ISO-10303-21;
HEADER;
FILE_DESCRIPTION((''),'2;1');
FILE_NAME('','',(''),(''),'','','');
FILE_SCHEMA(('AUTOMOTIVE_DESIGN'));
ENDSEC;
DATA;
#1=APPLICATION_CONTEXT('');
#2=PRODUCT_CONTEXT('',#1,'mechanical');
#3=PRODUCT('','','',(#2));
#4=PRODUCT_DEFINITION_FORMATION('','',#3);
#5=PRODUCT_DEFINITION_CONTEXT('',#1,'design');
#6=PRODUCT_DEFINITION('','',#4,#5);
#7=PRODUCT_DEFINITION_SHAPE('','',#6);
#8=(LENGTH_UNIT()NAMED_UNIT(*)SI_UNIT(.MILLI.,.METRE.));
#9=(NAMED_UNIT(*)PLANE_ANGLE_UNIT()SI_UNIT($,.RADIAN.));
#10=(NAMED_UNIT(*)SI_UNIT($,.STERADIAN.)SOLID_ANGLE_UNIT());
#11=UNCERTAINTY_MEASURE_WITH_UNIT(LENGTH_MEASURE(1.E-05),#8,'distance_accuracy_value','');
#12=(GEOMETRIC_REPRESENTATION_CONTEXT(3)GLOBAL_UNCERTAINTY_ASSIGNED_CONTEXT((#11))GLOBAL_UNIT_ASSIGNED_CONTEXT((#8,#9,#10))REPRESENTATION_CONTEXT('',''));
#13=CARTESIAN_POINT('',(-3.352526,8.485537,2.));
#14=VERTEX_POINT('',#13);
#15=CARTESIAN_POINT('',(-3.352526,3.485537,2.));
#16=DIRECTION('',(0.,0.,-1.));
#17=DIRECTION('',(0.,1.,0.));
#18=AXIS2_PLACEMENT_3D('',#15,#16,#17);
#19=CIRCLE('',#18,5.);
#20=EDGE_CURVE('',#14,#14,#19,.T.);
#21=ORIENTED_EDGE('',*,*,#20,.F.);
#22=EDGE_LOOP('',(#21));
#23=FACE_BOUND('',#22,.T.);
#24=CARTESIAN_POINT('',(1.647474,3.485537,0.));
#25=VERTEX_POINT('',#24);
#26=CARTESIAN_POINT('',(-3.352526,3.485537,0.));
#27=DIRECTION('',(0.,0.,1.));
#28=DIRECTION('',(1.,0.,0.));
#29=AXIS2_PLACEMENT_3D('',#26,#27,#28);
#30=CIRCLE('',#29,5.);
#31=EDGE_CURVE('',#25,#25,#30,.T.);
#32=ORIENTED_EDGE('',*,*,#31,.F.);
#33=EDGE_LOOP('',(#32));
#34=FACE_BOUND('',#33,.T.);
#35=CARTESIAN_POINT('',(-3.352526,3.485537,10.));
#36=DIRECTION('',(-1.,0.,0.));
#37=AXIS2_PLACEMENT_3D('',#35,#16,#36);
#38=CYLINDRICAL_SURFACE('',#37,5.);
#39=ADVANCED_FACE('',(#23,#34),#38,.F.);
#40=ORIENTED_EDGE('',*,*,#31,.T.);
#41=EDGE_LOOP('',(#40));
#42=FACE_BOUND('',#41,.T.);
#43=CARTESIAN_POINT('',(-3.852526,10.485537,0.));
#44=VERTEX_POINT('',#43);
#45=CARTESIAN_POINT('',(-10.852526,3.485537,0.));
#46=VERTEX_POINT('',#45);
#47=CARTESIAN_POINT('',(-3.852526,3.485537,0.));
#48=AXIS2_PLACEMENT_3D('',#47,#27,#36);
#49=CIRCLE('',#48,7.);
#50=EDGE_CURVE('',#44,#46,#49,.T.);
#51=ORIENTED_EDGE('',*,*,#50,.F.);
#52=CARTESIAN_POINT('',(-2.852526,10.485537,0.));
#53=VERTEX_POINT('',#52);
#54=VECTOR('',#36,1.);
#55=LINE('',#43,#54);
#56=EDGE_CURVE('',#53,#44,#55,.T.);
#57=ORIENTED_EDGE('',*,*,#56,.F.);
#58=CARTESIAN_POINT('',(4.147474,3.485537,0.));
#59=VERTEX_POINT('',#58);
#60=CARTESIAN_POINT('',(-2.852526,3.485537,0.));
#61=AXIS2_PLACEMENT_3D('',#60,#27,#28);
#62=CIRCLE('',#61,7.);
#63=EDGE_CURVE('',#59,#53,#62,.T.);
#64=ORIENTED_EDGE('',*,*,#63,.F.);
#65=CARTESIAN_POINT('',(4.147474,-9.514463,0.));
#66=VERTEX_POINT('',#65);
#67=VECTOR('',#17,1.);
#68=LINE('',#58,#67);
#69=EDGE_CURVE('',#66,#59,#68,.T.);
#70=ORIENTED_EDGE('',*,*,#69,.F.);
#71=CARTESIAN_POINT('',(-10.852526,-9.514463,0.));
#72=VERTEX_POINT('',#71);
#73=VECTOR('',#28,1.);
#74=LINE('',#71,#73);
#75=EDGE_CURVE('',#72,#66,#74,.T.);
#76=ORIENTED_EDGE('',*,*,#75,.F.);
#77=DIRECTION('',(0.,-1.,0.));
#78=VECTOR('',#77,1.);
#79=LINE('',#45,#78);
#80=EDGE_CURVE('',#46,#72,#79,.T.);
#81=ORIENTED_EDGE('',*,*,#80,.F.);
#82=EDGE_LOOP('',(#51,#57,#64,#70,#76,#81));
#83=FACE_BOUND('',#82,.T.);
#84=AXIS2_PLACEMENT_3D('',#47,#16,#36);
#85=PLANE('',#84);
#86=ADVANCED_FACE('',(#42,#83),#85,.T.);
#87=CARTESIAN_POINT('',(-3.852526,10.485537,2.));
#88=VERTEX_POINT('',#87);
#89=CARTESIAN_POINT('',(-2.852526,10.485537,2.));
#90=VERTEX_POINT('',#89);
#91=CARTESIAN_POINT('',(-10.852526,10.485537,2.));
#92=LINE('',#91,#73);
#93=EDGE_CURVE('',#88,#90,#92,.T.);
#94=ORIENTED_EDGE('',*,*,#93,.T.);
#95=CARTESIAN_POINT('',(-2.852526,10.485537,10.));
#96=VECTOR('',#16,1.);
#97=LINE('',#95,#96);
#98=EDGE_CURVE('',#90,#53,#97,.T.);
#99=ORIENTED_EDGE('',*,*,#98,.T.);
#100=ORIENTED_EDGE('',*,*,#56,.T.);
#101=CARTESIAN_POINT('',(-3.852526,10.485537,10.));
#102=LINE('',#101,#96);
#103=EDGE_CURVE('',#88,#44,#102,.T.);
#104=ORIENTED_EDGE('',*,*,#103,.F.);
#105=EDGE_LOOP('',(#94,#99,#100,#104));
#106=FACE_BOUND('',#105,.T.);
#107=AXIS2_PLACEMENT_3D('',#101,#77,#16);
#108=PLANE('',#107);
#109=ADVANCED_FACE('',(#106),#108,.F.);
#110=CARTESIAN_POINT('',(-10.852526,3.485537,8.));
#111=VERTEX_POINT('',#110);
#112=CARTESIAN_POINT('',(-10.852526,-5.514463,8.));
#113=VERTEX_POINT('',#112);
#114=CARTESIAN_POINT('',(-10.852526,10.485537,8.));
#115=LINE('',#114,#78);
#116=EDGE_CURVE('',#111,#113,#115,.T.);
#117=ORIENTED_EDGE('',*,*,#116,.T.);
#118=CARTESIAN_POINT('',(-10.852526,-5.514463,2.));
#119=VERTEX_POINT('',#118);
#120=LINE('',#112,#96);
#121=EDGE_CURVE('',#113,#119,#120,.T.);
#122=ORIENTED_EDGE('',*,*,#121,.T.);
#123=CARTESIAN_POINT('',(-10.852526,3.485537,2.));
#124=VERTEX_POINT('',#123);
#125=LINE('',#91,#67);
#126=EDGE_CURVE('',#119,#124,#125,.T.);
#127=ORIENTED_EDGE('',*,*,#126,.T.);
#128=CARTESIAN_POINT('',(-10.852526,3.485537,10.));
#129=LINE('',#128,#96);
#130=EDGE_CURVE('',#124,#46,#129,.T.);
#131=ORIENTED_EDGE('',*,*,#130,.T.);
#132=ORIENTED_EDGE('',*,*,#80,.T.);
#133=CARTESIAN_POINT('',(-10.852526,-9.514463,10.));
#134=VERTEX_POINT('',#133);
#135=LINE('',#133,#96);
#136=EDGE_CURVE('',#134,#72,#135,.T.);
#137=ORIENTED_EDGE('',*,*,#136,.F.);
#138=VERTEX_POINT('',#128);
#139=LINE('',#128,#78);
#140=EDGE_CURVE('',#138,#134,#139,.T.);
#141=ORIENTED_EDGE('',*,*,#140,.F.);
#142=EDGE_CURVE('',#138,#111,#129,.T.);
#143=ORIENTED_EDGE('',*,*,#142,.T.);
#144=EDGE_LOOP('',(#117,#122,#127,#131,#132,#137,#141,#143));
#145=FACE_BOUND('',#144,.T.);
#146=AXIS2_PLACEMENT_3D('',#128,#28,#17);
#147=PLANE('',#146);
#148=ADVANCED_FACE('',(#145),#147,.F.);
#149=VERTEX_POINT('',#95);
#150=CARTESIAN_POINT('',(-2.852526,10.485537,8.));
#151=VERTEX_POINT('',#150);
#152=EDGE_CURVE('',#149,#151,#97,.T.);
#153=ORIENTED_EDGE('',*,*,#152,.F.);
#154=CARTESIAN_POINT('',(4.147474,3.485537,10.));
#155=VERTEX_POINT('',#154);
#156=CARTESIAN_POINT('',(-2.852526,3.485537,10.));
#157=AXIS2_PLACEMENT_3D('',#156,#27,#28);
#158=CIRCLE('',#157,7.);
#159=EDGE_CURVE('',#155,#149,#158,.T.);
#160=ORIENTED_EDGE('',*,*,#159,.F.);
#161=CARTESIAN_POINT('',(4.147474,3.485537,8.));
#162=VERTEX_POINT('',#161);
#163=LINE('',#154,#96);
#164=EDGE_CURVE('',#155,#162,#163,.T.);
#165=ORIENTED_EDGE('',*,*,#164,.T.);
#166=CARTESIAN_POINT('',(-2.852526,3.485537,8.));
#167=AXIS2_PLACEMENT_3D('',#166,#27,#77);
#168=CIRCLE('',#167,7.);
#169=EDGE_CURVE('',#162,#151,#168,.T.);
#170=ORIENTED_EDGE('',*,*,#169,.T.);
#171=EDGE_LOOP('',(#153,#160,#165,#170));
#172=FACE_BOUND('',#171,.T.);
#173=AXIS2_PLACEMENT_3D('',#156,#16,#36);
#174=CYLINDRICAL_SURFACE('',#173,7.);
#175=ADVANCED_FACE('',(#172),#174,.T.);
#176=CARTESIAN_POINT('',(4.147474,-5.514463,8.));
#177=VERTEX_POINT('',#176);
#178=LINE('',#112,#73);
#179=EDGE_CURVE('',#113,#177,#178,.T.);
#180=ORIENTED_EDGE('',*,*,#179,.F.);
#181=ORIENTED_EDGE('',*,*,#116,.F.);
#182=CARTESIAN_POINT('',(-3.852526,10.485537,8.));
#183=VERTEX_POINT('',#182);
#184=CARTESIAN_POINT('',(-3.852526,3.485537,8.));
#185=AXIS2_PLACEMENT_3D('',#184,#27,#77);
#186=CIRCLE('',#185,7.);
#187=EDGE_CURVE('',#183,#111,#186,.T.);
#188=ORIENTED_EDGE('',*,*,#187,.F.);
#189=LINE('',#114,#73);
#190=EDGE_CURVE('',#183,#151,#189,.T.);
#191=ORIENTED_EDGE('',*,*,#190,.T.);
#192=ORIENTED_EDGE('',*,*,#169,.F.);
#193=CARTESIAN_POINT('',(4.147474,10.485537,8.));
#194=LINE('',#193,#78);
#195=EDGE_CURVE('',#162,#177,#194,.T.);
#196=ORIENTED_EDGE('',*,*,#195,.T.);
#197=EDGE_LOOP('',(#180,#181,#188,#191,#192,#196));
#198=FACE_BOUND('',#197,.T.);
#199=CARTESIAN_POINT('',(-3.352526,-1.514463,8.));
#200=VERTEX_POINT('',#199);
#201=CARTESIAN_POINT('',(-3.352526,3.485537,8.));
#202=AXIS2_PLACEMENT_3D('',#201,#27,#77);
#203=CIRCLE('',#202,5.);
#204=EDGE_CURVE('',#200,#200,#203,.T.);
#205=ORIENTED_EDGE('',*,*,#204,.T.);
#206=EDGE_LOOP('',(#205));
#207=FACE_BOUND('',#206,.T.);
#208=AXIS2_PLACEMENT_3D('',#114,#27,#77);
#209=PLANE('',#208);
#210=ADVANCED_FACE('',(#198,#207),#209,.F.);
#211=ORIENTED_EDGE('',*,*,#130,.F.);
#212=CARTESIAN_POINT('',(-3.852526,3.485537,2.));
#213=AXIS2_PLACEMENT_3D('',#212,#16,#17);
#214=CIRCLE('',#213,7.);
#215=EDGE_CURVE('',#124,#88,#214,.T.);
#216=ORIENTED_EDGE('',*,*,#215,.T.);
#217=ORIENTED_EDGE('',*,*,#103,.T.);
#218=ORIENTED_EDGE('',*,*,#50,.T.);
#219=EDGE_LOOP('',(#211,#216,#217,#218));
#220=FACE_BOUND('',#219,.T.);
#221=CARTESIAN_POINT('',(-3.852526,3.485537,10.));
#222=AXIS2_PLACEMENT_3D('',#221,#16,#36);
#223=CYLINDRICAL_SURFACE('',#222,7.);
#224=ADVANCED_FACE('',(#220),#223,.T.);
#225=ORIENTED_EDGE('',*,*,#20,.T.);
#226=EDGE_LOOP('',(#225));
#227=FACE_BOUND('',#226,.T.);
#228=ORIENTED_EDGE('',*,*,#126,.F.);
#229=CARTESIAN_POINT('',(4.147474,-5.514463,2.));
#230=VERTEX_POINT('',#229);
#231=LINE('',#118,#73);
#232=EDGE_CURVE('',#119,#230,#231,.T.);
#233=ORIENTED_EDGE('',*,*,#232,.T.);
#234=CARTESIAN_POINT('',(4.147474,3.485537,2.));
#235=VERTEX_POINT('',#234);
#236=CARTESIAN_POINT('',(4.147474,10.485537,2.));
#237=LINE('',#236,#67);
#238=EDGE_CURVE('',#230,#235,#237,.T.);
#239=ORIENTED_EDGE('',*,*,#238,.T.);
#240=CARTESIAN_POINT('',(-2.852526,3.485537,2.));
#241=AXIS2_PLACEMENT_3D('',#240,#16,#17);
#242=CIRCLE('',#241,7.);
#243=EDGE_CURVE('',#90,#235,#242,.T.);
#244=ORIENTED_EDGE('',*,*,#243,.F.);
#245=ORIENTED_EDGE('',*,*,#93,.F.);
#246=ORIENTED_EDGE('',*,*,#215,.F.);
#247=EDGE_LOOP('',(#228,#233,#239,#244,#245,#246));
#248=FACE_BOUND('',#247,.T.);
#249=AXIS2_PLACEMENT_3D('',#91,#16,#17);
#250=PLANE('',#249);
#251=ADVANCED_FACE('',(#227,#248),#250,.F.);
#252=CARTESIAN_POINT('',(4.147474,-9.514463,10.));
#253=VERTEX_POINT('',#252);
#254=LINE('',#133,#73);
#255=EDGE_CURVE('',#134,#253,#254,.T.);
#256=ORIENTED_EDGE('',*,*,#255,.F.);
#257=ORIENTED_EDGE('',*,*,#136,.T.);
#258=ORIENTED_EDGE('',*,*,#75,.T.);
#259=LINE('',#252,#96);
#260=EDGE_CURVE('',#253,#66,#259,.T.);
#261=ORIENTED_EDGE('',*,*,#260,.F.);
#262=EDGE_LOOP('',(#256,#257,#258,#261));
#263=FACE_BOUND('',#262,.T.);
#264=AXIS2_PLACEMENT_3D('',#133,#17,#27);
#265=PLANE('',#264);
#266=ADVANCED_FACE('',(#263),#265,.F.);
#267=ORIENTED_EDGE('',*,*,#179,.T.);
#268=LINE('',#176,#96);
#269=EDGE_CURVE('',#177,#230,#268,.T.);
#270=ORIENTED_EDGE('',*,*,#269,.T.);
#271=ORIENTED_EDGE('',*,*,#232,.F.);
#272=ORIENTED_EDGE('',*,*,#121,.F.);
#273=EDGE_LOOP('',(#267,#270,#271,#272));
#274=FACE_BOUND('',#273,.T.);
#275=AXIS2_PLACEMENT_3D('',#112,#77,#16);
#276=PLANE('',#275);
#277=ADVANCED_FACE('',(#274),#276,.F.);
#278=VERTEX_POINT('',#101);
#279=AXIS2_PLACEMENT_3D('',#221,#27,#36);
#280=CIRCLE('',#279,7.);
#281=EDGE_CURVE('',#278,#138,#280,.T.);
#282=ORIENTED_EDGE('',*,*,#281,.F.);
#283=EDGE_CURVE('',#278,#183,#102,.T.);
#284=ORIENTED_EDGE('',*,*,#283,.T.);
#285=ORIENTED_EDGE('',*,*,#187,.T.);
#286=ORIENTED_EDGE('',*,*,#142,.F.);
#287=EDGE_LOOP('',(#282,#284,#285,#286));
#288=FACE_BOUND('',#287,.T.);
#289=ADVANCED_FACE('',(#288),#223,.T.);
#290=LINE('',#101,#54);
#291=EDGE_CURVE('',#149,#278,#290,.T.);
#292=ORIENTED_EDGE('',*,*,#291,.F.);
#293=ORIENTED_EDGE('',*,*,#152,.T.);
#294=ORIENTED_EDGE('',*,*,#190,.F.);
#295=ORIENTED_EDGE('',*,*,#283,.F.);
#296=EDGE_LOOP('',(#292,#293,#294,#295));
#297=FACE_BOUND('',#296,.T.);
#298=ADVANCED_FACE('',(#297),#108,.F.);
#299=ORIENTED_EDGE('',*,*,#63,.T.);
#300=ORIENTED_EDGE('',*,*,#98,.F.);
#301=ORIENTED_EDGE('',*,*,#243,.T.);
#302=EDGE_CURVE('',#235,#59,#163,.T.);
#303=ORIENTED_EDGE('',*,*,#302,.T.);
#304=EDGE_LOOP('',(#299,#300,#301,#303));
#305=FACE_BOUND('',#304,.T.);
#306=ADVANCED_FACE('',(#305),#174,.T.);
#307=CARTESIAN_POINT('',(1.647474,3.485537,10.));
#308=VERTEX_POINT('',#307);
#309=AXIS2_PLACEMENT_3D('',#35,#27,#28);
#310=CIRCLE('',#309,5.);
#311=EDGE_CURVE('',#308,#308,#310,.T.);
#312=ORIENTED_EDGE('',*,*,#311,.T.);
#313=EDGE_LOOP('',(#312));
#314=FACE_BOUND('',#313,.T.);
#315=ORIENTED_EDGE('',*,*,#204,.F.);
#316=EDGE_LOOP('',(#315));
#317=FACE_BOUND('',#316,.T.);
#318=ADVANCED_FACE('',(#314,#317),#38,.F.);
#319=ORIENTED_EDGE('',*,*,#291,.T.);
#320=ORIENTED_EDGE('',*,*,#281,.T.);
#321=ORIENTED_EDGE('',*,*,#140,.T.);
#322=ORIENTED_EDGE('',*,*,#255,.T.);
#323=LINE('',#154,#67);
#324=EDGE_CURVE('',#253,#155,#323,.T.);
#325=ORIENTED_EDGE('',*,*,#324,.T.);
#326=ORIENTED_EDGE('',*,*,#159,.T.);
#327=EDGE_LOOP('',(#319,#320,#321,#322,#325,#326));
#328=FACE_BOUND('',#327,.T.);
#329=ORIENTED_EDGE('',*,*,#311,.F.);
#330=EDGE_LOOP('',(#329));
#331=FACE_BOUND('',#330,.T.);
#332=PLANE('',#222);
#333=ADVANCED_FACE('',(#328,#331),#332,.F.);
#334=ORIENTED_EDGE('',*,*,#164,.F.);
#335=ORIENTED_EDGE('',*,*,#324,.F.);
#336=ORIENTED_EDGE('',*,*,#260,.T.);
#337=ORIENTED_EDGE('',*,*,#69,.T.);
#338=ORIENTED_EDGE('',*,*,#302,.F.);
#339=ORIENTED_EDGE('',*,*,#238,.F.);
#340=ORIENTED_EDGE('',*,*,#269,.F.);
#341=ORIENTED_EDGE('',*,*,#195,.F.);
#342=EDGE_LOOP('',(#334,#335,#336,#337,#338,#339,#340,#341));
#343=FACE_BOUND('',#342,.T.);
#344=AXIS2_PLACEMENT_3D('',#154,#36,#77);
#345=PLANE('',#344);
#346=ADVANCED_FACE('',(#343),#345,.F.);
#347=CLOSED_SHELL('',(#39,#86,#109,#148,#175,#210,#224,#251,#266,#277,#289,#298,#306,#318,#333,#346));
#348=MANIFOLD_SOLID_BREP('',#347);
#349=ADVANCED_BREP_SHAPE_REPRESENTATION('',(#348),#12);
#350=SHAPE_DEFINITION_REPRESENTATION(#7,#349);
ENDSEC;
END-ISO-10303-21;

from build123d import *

# Parameters (mm, degrees)
CROQUIS1_R              = 5
SALIENTE_EXTRUIR1_DEPTH = 10
CROQUIS2_W              = 6
CROQUIS2_H              = 16
CORTAR_EXTRUIR1_DEPTH   = 16


with BuildPart() as part:
    # Croquis1 → Saliente-Extruir1 (new body)
    with BuildSketch(Plane.XY):
        with BuildLine():
            Line((-3.852526449, 10.48553719), (-2.852526449, 10.48553719))
            ThreePointArc((-2.852526449, 10.48553719), (2.097221019, 8.435284658), (4.147473551, 3.48553719))
            Line((4.147473551, 3.48553719), (4.147473551, -9.51446281))
            Line((4.147473551, -9.51446281), (-10.852526449, -9.51446281))
            Line((-10.852526449, -9.51446281), (-10.852526449, 3.48553719))
            ThreePointArc((-10.852526449, 3.48553719), (-8.802273917, 8.435284658), (-3.852526449, 10.48553719))
        make_face()
        with Locations((-3.352526449, 3.48553719)):
            Circle(CROQUIS1_R, mode=Mode.SUBTRACT)
    extrude(amount=SALIENTE_EXTRUIR1_DEPTH)

    # Croquis2 → Cortar-Extruir1 (cut, through all)
    with BuildSketch(Plane(origin=(4.147473551, 0, 0), x_dir=(0, 0, -1), z_dir=(1, 0, 0))):
        with Locations((-5, 2.48553719)):
            Rectangle(CROQUIS2_W, CROQUIS2_H)
    extrude(amount=-CORTAR_EXTRUIR1_DEPTH, mode=Mode.SUBTRACT)


solid = part.part
